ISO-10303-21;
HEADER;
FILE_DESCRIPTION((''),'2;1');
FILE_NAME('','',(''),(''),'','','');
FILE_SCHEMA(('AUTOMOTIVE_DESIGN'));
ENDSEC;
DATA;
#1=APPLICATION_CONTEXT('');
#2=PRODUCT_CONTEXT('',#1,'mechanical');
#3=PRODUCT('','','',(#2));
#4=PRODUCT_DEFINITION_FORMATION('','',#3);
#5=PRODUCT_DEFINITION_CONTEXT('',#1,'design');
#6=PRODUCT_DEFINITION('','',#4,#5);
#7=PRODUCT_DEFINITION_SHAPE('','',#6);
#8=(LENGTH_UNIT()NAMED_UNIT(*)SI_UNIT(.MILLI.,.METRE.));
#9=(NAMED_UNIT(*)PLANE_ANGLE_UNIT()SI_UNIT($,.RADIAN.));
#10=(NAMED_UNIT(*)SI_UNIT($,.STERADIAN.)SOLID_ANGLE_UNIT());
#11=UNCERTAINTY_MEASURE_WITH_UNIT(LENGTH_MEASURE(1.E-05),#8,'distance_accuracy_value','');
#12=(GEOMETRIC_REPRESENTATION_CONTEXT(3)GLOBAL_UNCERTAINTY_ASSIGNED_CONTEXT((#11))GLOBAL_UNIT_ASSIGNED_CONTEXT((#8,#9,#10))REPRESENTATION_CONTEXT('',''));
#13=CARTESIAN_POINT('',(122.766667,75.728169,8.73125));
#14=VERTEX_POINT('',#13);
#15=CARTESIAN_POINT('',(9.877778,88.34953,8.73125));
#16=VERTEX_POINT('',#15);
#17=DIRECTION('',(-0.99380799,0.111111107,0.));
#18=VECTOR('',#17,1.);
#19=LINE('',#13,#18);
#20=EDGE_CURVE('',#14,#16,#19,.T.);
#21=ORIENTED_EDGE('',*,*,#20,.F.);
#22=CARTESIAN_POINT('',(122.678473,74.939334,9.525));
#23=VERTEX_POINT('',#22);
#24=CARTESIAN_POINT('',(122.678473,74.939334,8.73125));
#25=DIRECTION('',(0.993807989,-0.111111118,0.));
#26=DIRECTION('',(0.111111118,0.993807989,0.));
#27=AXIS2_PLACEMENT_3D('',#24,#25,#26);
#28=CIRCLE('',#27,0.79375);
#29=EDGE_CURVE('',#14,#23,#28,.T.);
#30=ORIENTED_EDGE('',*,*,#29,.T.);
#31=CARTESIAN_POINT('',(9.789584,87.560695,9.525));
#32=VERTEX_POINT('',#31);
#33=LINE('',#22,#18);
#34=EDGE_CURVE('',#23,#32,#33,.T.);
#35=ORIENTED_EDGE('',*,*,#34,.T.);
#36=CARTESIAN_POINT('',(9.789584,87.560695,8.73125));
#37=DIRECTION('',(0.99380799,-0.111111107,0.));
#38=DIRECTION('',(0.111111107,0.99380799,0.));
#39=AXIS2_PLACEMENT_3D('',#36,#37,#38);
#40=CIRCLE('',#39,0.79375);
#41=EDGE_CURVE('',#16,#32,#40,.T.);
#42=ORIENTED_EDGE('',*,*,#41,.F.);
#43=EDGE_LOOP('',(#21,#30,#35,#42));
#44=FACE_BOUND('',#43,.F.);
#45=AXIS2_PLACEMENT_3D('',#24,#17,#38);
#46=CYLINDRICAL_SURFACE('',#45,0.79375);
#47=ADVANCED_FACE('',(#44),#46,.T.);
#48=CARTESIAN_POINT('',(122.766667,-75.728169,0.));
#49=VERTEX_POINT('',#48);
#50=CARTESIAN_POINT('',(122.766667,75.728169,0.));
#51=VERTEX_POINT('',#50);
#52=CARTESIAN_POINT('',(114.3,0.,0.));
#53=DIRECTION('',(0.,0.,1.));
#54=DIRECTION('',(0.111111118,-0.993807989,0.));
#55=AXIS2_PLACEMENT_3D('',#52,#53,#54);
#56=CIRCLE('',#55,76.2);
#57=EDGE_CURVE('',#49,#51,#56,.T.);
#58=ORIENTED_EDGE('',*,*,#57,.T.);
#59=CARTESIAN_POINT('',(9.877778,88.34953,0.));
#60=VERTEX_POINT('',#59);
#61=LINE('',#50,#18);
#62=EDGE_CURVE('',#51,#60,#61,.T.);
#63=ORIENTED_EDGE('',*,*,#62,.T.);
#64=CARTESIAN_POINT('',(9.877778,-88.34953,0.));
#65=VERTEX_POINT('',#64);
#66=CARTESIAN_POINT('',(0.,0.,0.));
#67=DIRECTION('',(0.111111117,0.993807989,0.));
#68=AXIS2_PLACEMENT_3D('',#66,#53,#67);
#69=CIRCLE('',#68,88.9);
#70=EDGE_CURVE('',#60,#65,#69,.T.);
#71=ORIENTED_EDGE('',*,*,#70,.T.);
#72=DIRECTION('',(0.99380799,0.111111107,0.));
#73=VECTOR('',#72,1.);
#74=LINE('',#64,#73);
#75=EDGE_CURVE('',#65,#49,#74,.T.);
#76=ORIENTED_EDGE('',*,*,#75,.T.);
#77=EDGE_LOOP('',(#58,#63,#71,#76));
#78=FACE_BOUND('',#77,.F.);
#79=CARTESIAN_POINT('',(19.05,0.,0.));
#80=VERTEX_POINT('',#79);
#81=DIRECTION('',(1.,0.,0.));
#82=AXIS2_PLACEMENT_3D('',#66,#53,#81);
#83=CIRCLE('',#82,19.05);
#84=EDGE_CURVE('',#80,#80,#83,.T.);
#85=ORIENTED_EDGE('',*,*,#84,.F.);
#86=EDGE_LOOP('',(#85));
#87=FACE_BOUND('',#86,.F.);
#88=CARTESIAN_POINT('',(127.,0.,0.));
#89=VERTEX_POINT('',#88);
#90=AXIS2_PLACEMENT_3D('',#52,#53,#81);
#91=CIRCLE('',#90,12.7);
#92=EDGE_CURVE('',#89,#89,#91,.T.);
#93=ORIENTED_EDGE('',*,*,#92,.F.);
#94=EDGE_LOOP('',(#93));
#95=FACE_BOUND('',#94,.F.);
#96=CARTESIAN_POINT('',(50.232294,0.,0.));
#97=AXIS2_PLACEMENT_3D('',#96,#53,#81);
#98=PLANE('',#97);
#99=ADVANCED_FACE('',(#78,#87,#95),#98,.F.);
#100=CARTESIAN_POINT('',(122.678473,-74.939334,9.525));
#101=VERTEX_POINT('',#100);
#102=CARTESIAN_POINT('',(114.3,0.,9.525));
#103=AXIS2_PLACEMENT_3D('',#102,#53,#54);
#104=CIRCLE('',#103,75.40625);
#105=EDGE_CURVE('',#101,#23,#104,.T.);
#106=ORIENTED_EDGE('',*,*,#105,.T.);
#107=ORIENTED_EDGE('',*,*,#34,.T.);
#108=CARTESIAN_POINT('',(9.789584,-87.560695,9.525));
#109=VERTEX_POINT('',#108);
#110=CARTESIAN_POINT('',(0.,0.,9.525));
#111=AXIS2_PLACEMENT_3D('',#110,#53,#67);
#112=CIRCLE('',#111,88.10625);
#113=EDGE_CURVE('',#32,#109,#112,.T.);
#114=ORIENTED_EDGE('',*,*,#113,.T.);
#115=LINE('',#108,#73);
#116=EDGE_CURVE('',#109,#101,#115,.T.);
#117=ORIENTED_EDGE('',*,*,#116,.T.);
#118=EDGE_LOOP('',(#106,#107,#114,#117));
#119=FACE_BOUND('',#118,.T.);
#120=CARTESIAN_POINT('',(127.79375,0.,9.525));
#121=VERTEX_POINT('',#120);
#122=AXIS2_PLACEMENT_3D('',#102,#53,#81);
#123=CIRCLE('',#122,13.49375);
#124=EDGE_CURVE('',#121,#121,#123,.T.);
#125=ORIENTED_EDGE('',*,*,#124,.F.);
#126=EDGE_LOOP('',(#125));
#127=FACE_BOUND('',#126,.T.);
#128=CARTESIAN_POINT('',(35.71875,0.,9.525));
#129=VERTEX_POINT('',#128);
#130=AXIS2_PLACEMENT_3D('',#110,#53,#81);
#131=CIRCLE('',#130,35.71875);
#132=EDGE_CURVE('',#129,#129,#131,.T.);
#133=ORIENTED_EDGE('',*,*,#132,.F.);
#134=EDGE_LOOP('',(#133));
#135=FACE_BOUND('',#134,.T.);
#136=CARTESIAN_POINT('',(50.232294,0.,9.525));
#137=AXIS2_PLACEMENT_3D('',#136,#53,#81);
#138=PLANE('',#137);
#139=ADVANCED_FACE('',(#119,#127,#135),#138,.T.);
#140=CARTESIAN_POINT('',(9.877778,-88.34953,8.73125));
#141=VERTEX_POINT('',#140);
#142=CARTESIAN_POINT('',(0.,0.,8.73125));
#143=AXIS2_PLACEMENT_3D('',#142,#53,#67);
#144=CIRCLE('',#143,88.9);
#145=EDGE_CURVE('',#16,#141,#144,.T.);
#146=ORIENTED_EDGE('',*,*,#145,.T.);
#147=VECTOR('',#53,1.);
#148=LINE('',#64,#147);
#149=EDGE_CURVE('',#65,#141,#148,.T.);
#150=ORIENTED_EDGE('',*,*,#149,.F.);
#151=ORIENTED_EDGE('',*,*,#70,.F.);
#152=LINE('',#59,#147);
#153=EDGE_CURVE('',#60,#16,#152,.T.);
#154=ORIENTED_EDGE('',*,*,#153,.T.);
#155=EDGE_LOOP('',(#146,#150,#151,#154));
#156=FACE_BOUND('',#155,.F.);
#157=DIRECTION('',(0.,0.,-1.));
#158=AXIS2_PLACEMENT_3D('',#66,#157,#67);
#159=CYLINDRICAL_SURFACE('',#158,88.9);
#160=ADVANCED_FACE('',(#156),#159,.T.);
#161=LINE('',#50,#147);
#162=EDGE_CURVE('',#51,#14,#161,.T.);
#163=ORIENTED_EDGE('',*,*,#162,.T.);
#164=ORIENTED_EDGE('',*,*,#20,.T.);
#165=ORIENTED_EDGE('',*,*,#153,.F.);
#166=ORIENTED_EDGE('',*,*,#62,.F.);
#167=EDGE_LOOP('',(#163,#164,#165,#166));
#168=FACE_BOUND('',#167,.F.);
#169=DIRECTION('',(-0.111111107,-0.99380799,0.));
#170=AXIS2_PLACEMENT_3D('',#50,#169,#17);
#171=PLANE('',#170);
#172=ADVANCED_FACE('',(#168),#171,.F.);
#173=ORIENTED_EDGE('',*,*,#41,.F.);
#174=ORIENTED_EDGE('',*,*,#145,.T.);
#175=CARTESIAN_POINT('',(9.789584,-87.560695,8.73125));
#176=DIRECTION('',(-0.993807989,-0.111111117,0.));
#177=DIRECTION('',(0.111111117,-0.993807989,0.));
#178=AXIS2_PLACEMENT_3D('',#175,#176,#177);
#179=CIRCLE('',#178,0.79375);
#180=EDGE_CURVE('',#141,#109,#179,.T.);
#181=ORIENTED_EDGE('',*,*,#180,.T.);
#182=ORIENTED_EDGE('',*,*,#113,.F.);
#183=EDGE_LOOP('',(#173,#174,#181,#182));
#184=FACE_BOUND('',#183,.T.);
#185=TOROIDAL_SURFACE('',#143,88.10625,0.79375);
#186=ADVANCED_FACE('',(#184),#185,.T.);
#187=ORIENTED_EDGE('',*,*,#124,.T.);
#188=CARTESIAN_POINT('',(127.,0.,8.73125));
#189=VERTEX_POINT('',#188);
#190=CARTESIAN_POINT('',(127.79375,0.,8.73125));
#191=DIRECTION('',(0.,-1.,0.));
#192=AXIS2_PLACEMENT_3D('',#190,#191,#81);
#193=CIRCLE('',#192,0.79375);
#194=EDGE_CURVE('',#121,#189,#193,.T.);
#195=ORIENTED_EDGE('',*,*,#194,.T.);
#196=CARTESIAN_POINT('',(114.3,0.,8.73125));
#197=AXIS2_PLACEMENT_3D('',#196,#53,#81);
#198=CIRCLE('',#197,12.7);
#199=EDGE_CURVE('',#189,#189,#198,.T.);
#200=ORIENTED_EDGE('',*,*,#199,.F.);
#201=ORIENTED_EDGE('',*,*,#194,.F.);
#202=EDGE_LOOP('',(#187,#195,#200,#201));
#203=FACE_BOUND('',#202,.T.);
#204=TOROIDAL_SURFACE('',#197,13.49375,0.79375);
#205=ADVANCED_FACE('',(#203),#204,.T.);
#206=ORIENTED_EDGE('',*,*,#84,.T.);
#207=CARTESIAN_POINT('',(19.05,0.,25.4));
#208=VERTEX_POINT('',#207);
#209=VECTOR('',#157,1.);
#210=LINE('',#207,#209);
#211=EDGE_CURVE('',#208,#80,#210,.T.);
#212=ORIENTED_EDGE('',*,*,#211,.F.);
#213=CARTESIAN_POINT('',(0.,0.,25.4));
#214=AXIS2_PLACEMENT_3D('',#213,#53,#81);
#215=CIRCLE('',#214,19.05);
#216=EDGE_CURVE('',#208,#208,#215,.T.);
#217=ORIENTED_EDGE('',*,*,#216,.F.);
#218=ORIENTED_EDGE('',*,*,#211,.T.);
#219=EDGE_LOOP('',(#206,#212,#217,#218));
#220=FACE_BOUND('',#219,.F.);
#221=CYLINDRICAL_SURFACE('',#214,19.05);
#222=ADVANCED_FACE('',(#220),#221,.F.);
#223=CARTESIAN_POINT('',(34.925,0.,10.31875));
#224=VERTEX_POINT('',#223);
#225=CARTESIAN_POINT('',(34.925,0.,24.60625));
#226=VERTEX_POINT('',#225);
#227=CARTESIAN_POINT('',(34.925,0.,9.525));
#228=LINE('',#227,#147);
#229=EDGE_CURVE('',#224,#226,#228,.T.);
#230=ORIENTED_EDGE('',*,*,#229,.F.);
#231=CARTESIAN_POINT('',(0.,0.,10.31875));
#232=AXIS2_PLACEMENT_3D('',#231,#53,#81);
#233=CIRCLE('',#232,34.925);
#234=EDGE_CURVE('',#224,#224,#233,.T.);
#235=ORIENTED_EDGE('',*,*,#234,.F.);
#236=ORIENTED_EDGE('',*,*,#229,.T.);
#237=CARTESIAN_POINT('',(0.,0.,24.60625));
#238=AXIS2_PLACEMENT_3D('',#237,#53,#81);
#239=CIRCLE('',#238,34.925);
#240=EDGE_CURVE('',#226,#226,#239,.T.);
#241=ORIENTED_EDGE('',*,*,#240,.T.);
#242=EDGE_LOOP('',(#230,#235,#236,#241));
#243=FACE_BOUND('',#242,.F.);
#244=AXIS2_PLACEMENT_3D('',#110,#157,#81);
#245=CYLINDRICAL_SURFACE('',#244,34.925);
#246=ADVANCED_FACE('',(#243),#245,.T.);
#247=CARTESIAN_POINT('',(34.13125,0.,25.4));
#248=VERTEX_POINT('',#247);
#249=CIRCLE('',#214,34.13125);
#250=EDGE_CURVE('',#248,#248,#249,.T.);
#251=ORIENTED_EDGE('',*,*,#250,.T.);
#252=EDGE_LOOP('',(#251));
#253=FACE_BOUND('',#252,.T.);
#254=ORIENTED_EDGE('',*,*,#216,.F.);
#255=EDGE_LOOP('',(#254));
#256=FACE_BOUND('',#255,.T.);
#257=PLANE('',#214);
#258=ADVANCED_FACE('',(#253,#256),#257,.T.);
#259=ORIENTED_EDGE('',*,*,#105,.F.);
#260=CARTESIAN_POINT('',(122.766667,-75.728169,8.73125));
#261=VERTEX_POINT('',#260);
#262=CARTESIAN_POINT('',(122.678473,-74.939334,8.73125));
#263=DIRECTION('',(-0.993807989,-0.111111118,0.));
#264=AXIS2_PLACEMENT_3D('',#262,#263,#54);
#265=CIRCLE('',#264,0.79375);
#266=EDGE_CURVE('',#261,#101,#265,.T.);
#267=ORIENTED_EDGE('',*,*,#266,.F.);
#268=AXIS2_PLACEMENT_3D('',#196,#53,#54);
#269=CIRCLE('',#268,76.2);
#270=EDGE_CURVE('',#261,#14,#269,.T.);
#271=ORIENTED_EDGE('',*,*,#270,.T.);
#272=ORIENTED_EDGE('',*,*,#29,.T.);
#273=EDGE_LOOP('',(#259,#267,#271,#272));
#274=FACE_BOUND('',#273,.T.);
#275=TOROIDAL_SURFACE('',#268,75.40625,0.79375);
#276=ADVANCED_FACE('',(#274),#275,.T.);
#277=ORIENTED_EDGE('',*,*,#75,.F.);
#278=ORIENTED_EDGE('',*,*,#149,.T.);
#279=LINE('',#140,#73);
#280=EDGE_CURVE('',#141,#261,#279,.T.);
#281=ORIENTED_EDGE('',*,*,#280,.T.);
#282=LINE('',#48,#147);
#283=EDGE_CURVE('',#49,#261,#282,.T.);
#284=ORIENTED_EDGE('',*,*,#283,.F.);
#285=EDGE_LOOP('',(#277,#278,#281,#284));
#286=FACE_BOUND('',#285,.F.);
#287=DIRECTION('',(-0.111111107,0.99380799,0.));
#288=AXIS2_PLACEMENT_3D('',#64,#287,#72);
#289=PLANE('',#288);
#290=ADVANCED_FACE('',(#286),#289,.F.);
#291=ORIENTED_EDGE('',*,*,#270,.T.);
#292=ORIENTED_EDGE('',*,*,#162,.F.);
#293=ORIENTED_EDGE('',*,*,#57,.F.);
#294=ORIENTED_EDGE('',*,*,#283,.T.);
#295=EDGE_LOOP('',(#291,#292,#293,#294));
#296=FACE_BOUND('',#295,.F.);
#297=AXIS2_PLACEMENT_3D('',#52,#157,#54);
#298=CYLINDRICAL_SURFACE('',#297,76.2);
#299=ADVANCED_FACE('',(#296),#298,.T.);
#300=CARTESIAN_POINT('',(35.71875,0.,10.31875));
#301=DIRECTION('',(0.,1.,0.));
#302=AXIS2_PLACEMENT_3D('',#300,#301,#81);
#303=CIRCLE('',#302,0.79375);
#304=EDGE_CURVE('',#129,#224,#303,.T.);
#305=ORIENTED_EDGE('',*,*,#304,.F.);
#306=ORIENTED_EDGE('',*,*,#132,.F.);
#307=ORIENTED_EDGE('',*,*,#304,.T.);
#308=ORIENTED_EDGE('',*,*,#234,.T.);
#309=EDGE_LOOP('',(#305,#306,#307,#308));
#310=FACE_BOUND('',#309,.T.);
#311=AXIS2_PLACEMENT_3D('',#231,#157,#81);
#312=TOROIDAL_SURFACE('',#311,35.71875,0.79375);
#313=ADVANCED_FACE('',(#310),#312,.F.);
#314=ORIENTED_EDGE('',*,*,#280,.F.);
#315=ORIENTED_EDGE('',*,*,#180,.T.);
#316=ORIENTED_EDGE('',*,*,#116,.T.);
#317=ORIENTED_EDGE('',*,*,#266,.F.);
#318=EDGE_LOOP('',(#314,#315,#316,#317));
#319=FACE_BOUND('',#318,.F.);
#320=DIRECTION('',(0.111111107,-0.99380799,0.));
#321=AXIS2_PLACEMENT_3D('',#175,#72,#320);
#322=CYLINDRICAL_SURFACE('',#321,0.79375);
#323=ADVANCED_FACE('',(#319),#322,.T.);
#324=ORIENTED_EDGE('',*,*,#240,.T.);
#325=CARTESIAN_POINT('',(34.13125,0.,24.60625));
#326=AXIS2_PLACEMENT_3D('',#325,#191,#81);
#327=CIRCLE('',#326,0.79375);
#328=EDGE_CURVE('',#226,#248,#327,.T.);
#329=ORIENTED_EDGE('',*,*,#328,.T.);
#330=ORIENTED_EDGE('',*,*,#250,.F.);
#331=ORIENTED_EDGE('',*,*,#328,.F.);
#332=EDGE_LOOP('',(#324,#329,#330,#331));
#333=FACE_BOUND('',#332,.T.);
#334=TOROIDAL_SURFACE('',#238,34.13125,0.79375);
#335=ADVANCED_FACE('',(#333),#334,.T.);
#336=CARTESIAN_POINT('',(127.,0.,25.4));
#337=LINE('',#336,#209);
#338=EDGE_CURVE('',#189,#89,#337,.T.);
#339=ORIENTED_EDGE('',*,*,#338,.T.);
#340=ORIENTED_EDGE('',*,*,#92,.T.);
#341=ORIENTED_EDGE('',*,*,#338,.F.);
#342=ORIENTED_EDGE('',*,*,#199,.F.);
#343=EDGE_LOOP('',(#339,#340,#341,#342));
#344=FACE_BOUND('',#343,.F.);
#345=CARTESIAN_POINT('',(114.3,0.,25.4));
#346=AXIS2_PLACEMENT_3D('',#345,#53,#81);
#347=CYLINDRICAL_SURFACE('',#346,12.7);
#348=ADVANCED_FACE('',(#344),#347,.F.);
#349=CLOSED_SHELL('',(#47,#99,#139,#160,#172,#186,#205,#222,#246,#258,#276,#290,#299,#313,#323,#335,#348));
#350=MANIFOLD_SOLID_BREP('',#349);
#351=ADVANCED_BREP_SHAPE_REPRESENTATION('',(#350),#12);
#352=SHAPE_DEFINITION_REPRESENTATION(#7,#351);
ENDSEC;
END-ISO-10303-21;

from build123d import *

# Parameters (mm, degrees)
F1_DEPTH = 9.525
F2_R     = 34.925
F3_DEPTH = 15.875
F4_R     = 19.05
F4_R_2   = 12.7
F5_DEPTH = 25.401
F6_R     = 0.79375


with BuildPart() as f1:
    # F0 (on Top) → F1 (new body)
    with BuildSketch(Plane.XY):
        with BuildLine():
            Line((122.766667, 75.728169), (9.877778, 88.34953))
            ThreePointArc((9.877778, 88.34953), (-88.9, 0), (9.877778, -88.34953))
            Line((9.877778, -88.34953), (122.766667, -75.728169))
            ThreePointArc((122.766667, -75.728169), (190.5, 0), (122.766667, 75.728169))
        make_face()
    extrude(amount=F1_DEPTH)

    # F2 (on face) → F3 (join)
    with BuildSketch(Plane.XY.offset(9.525)):
        Circle(F2_R)
    extrude(amount=F3_DEPTH)

    # F4 (on face) → F5 (cut, through all)
    with BuildSketch(Plane.XY.offset(25.4)):
        Circle(F4_R)
        with Locations((114.3, 0)):
            Circle(F4_R_2)
    extrude(amount=-F5_DEPTH, mode=Mode.SUBTRACT)

    # F6
    f6_edges = [f1.edges().sort_by_distance(p)[0] for p in [
        (-34.925, 0, 9.525),
        (-34.925, 0, 25.4),
        (190.5, 0, 9.525),
        (66.322222, -82.03885, 9.525),
        (-88.9, 0, 9.525),
        (66.322222, 82.03885, 9.525),
        (101.6, 0, 9.525),
    ]]
    fillet(f6_edges, radius=F6_R)


solid = f1.part
